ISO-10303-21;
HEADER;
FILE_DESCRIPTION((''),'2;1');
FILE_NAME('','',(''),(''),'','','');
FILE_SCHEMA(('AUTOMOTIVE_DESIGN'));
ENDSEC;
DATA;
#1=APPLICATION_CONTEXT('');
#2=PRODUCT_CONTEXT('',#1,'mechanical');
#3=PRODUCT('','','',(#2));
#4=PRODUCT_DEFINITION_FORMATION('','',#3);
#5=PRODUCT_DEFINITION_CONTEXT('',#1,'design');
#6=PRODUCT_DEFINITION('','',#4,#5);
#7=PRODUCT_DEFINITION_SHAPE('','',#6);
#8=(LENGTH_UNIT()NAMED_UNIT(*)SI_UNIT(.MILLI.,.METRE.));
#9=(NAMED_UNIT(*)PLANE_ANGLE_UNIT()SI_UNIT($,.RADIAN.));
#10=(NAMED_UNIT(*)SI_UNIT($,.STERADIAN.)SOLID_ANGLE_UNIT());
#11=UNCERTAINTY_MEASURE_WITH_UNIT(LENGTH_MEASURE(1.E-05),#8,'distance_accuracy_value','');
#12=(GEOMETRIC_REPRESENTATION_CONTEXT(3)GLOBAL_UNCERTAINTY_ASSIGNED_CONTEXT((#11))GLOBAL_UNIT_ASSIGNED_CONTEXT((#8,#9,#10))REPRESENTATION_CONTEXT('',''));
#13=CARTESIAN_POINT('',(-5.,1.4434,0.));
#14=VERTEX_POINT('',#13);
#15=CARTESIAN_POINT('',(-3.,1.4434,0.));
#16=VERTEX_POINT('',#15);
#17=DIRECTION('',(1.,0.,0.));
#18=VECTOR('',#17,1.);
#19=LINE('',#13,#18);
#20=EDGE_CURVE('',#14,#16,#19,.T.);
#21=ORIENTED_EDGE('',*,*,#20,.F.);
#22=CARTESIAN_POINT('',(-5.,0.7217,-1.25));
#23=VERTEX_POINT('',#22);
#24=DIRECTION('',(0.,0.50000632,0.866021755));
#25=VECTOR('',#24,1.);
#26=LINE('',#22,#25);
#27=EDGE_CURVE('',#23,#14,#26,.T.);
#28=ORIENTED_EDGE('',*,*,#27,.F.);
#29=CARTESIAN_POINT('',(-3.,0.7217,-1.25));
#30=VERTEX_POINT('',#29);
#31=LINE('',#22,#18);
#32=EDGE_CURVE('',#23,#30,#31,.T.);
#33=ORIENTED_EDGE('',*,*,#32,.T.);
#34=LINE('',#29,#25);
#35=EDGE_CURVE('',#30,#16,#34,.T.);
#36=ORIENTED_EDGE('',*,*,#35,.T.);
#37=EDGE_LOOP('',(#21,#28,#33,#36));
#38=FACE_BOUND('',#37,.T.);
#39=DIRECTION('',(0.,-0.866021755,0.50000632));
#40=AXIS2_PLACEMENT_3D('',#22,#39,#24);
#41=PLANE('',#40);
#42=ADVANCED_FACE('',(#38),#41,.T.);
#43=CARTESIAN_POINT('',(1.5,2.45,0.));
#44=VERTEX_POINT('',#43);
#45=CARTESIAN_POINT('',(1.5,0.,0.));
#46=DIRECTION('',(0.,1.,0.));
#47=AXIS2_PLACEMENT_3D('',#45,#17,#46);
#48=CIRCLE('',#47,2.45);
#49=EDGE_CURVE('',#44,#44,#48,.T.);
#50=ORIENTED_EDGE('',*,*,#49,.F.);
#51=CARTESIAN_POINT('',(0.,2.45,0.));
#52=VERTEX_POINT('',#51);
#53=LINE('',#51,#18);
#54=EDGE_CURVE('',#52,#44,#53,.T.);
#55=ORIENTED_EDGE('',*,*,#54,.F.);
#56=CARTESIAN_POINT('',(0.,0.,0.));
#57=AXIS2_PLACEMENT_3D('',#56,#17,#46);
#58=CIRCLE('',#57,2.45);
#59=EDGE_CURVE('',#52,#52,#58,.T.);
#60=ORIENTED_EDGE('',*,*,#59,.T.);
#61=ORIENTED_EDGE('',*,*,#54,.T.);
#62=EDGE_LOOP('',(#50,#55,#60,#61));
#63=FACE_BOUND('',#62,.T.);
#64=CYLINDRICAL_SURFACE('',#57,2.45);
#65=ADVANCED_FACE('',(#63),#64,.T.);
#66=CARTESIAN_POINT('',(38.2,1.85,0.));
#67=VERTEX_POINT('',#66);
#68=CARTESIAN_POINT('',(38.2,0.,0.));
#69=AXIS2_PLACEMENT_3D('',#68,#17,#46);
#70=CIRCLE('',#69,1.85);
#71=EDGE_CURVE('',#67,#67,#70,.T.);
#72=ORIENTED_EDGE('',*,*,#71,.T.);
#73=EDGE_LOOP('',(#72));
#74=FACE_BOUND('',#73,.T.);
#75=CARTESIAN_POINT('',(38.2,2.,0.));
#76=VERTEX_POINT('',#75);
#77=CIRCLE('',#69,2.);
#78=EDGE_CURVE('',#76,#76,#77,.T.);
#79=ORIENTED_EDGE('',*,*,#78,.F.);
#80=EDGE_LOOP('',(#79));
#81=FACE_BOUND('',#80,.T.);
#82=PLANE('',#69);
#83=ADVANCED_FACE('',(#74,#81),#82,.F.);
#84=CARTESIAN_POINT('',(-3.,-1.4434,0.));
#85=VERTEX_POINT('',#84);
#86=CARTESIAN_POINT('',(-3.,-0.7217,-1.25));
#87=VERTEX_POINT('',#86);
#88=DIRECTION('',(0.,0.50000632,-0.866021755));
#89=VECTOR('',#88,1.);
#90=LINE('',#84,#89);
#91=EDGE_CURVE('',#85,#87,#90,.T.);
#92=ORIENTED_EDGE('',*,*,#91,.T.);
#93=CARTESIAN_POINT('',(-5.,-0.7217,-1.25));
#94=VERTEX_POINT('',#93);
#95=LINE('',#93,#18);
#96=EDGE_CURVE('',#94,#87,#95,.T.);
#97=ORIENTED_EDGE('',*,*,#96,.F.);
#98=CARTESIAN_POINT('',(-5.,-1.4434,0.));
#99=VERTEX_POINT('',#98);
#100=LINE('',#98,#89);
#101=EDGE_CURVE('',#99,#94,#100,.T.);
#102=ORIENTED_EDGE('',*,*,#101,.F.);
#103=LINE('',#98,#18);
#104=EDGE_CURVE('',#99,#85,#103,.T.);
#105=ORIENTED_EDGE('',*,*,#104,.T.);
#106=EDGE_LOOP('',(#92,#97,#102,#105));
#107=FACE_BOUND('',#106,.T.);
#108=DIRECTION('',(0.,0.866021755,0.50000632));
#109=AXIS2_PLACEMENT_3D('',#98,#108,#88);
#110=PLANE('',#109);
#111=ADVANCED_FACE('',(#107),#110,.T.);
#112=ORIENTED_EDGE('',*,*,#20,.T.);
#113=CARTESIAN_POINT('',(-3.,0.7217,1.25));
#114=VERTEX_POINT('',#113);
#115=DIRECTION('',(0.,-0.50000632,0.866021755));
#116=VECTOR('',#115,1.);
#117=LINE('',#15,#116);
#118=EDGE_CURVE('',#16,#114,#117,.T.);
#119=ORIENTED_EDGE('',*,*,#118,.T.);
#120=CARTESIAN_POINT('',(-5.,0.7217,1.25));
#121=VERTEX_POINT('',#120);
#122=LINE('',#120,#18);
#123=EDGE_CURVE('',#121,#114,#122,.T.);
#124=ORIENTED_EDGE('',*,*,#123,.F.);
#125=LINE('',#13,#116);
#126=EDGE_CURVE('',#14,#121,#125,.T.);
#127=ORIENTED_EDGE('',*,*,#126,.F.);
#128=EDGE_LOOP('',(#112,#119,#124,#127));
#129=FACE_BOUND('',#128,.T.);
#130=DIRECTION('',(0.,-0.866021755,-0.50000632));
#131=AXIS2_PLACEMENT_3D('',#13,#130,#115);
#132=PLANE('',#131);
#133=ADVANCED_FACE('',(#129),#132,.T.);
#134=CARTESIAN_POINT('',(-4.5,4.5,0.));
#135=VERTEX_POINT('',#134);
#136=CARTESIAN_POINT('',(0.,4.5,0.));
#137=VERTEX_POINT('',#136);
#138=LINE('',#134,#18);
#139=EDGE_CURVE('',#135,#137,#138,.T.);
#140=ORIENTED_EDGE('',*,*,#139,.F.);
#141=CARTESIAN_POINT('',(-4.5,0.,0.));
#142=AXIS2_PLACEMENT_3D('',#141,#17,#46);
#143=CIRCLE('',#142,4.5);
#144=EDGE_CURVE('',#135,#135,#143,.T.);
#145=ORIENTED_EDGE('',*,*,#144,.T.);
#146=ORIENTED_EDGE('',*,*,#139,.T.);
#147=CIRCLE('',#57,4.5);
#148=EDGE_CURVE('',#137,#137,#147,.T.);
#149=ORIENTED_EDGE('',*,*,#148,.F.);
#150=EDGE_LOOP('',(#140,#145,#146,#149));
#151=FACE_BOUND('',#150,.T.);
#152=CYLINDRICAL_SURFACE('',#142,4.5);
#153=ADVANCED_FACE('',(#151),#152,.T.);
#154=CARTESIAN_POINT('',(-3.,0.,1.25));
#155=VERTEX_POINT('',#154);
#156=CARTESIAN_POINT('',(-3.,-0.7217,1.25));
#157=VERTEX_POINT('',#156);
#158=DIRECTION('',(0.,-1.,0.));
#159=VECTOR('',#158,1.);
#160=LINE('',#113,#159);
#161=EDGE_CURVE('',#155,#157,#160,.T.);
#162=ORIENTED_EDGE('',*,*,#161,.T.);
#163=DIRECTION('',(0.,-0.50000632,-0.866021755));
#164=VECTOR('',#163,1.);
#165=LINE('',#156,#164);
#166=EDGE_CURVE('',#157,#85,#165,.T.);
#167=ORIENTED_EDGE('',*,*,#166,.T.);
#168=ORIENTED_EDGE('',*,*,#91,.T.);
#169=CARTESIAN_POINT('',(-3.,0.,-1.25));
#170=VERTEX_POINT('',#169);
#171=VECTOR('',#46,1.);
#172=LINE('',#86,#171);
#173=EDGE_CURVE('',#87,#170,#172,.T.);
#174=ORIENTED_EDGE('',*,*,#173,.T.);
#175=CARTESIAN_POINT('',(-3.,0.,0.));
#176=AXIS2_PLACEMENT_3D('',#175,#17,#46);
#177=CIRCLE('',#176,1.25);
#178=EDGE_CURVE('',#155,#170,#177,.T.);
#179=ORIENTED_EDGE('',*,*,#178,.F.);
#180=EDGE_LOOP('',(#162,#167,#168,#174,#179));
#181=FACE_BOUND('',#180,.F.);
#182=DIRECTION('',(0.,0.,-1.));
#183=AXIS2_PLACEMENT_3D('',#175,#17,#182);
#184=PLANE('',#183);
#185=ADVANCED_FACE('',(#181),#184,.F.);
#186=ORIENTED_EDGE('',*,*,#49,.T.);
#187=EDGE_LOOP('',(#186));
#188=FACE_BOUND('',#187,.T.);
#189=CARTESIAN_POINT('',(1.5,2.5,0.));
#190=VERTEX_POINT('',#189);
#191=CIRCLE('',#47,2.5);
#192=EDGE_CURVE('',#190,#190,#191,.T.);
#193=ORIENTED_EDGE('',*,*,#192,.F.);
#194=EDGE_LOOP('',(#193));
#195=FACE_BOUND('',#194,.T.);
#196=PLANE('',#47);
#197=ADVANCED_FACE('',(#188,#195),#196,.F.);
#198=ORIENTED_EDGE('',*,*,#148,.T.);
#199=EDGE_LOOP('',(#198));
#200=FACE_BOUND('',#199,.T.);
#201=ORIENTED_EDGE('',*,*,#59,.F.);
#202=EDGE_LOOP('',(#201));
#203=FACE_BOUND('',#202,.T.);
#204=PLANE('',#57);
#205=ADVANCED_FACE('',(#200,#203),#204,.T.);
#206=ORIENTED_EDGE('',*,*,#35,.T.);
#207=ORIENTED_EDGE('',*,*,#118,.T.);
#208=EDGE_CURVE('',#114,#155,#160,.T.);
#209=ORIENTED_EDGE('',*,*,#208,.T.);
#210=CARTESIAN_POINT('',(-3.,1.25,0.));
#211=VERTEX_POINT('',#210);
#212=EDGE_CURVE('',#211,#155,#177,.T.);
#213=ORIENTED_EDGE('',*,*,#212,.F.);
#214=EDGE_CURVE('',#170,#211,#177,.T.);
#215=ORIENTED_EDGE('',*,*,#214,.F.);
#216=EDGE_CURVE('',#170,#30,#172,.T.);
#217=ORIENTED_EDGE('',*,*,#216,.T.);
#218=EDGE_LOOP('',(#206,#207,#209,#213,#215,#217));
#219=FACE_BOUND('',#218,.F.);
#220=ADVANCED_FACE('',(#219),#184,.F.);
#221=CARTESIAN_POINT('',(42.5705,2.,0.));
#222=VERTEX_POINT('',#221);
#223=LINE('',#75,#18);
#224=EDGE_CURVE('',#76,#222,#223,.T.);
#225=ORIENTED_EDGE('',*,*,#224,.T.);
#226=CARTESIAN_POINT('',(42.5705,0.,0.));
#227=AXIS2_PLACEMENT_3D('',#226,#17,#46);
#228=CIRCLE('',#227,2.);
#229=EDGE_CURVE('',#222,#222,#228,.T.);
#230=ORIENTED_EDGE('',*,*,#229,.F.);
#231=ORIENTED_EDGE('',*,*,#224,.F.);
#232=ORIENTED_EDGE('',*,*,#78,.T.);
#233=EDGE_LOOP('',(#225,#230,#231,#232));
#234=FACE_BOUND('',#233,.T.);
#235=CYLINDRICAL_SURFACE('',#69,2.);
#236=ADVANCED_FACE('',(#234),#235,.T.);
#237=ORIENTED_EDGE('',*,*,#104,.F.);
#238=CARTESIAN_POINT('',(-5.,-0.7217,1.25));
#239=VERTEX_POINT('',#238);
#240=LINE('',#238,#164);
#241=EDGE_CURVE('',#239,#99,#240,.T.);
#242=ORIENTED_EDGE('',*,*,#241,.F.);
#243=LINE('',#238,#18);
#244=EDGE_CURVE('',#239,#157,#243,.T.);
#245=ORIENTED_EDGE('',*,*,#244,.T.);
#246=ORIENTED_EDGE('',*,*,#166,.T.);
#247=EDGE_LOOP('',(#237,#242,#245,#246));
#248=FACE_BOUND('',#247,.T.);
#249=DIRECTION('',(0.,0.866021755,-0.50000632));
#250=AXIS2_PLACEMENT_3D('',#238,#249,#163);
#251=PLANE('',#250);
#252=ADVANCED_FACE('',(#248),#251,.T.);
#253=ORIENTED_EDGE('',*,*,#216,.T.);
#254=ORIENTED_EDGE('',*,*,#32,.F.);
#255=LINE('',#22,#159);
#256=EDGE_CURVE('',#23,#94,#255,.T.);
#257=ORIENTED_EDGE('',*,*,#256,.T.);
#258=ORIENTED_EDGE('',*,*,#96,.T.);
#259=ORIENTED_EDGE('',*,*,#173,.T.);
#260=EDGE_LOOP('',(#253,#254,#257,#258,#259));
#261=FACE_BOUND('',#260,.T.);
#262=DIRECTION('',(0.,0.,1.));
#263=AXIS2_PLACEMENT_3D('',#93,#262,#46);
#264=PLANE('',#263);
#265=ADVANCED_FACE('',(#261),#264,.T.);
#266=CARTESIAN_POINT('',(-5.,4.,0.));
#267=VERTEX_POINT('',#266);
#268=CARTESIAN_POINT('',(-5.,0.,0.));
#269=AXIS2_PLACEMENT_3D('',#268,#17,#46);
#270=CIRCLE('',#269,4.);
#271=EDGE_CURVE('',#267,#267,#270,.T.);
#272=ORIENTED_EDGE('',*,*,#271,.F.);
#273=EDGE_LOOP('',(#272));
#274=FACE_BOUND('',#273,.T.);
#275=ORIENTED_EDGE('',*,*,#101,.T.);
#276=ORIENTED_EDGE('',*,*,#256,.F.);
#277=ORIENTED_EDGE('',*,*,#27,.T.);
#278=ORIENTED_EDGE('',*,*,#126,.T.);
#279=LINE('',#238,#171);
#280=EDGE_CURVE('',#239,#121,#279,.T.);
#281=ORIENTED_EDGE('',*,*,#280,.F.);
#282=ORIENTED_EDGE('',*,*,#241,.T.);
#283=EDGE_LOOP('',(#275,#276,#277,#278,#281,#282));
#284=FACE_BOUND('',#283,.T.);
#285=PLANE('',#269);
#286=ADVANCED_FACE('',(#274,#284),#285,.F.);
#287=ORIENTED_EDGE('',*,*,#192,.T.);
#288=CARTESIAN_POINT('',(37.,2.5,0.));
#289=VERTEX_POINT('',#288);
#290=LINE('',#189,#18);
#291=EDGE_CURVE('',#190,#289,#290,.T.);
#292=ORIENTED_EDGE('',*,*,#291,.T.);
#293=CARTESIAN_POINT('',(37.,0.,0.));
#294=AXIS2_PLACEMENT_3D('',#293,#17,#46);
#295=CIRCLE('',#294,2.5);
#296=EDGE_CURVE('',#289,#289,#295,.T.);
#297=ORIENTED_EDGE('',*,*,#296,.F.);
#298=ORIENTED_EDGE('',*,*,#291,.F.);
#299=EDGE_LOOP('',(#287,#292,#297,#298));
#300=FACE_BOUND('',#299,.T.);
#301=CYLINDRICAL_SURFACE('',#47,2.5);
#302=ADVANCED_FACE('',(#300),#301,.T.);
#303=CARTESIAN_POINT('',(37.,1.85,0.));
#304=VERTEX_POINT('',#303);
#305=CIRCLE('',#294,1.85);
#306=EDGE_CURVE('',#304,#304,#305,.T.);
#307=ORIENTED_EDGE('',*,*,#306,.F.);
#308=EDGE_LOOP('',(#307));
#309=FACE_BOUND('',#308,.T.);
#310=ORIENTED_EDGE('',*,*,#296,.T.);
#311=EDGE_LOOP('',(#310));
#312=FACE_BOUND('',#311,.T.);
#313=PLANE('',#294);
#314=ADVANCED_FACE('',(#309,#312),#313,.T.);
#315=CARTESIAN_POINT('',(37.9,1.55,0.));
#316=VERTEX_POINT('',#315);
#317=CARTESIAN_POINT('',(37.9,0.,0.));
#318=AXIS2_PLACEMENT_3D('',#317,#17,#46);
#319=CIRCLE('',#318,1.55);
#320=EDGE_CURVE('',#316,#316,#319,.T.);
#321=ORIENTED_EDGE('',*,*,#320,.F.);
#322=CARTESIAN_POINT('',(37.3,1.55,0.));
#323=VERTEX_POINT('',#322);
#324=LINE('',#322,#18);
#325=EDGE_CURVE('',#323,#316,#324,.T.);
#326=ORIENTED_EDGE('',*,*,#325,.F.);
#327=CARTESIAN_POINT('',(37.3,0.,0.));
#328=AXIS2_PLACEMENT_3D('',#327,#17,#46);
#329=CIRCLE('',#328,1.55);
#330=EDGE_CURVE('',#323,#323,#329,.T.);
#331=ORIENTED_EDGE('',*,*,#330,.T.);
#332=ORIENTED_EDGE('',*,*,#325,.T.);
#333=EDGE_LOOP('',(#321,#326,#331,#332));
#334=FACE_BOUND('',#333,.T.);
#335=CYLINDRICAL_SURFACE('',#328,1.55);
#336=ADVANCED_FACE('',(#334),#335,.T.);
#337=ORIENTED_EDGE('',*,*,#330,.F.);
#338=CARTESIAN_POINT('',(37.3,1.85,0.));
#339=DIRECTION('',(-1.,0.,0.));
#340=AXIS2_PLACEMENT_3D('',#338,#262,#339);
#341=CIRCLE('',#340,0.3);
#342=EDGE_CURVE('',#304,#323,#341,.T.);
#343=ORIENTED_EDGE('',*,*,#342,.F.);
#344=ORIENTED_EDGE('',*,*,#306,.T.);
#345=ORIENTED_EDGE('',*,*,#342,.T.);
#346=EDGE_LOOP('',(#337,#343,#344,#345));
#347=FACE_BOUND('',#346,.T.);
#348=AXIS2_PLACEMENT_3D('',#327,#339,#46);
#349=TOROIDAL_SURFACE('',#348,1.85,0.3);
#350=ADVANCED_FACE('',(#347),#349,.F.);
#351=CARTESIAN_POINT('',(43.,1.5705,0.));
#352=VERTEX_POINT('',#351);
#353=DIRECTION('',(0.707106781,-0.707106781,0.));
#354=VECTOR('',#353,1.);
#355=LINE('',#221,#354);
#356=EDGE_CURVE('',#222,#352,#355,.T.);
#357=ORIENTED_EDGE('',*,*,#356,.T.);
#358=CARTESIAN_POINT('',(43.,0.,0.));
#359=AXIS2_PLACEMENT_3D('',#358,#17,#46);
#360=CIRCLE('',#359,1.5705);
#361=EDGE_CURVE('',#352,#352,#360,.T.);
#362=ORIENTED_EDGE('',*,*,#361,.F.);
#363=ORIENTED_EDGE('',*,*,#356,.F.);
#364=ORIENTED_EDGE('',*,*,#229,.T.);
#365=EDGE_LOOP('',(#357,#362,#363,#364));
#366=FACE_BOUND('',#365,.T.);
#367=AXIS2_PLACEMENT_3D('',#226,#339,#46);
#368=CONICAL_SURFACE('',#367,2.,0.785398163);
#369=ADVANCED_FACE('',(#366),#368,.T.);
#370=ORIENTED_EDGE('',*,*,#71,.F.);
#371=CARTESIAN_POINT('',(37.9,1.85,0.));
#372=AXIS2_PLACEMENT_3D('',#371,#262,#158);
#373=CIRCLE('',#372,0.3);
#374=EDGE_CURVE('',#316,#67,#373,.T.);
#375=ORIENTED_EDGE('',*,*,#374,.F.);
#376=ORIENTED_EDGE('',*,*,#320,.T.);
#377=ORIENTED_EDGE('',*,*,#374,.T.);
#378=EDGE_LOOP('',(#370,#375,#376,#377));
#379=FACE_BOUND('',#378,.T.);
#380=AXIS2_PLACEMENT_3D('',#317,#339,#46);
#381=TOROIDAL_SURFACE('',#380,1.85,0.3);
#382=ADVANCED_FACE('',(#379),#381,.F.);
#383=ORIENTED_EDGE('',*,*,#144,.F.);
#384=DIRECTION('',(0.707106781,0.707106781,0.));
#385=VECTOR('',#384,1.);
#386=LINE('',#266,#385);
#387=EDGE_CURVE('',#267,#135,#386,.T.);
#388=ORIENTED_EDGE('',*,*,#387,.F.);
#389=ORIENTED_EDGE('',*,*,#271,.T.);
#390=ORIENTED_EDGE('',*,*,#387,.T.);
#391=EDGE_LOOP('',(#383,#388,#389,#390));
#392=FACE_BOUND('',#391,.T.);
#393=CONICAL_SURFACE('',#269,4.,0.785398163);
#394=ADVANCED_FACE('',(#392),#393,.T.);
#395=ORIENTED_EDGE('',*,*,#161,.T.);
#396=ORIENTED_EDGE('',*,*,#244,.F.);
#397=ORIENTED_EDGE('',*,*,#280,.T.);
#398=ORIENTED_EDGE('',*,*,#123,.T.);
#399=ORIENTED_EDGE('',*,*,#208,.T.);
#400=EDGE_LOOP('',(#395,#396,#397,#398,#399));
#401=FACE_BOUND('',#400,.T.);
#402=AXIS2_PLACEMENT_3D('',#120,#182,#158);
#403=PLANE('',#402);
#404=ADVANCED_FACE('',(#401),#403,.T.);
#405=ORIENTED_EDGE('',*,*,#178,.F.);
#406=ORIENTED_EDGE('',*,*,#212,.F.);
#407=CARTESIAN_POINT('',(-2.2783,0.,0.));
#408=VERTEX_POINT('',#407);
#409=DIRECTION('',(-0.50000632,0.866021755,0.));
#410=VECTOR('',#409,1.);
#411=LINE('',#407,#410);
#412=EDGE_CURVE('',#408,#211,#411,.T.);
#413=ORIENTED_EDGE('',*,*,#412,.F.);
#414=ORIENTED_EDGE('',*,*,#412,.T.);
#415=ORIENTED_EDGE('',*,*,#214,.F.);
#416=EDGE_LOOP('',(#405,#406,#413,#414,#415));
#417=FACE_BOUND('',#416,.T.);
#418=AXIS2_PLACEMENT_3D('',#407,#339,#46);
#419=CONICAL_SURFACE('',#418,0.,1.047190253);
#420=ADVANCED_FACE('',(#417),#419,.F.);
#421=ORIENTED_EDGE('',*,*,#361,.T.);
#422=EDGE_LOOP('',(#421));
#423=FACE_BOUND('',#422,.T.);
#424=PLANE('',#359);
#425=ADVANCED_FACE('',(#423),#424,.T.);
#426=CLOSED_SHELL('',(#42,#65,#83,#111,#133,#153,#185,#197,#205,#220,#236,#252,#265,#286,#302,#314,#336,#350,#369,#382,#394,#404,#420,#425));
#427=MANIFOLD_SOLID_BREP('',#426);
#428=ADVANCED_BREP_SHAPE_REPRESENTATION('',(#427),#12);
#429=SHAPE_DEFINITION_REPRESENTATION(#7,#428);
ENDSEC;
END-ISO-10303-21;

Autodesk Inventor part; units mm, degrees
sketch "Sketch_1" plane through (0, 0, 0) normal (0, 0, 1) x (1, 0, 0)
  line L0 (43, 0) -> (-5, 0)
  line L1 (-2.2783, 0) -> (-3, 1.25)
  line L2 (-3, 1.25) -> (-5, 1.25)
  line L3 (-5, 1.25) -> (-5, 4)
  line L4 (-5, 4) -> (-4.5, 4.5)
  line L5 (-4.5, 4.5) -> (0, 4.5)
  line L6 (0, 4.5) -> (0, 2.45)
  line L7 (0, 2.45) -> (1.5, 2.45)
  line L8 (1.5, 2.45) -> (1.5, 2.5)
  line L9 (1.5, 2.5) -> (37, 2.5)
  line L10 (37, 2.5) -> (37, 1.85)
  arc A0 (37, 1.85) -> (37.3, 1.55) centre (37.3, 1.85) ccw
  line L11 (37.3, 1.55) -> (37.9, 1.55)
  arc A1 (37.9, 1.55) -> (38.2, 1.85) centre (37.9, 1.85) ccw
  line L12 (38.2, 1.85) -> (38.2, 2)
  line L13 (38.2, 2) -> (42.5705, 2)
  line L14 (42.5705, 2) -> (43, 1.5705)
  line L15 (43, 1.5705) -> (43, 0)
  line L16 (43, 0) -> (-2.2783, 0)
revolve "Revolution1" add sketch "Sketch_1" angle 360 about axis through (43, 0, 0) along (1, 0, 0)
thread "Thread1" size "M4x0.7" class "6g" standard "ISO Metric profile" full length
sketch "Sketch_2" plane through (-5, 0, 0) normal (1, 0, 0) x (0, 0, -1)
  line L0 (-1.25, -0.7217) -> (0, -1.4434)
  line L1 (0, -1.4434) -> (1.25, -0.7217)
  line L2 (1.25, -0.7217) -> (1.25, 0.7217)
  line L3 (1.25, 0.7217) -> (0, 1.4434)
  line L4 (0, 1.4434) -> (-1.25, 0.7217)
  line L5 (-1.25, 0.7217) -> (-1.25, -0.7217)
extrude "Extrusion1" cut sketch "Sketch_2" along normal blind 2
ref_plane "pin_to_nut_XY" through (38.7, 0, 0) normal (1, 0, 0) x (0, 0, -1)
ref_plane "pin_to_nut_YZ" through (38.7, 0, 0) normal (0, 0, -1) x (0, 1, 0)
ref_plane "pin_to_nut_ZX" through (38.7, 0, 0) normal (0, 1, 0) x (1, 0, 0)
properties part number "SCLBRU5-37.0_D"
